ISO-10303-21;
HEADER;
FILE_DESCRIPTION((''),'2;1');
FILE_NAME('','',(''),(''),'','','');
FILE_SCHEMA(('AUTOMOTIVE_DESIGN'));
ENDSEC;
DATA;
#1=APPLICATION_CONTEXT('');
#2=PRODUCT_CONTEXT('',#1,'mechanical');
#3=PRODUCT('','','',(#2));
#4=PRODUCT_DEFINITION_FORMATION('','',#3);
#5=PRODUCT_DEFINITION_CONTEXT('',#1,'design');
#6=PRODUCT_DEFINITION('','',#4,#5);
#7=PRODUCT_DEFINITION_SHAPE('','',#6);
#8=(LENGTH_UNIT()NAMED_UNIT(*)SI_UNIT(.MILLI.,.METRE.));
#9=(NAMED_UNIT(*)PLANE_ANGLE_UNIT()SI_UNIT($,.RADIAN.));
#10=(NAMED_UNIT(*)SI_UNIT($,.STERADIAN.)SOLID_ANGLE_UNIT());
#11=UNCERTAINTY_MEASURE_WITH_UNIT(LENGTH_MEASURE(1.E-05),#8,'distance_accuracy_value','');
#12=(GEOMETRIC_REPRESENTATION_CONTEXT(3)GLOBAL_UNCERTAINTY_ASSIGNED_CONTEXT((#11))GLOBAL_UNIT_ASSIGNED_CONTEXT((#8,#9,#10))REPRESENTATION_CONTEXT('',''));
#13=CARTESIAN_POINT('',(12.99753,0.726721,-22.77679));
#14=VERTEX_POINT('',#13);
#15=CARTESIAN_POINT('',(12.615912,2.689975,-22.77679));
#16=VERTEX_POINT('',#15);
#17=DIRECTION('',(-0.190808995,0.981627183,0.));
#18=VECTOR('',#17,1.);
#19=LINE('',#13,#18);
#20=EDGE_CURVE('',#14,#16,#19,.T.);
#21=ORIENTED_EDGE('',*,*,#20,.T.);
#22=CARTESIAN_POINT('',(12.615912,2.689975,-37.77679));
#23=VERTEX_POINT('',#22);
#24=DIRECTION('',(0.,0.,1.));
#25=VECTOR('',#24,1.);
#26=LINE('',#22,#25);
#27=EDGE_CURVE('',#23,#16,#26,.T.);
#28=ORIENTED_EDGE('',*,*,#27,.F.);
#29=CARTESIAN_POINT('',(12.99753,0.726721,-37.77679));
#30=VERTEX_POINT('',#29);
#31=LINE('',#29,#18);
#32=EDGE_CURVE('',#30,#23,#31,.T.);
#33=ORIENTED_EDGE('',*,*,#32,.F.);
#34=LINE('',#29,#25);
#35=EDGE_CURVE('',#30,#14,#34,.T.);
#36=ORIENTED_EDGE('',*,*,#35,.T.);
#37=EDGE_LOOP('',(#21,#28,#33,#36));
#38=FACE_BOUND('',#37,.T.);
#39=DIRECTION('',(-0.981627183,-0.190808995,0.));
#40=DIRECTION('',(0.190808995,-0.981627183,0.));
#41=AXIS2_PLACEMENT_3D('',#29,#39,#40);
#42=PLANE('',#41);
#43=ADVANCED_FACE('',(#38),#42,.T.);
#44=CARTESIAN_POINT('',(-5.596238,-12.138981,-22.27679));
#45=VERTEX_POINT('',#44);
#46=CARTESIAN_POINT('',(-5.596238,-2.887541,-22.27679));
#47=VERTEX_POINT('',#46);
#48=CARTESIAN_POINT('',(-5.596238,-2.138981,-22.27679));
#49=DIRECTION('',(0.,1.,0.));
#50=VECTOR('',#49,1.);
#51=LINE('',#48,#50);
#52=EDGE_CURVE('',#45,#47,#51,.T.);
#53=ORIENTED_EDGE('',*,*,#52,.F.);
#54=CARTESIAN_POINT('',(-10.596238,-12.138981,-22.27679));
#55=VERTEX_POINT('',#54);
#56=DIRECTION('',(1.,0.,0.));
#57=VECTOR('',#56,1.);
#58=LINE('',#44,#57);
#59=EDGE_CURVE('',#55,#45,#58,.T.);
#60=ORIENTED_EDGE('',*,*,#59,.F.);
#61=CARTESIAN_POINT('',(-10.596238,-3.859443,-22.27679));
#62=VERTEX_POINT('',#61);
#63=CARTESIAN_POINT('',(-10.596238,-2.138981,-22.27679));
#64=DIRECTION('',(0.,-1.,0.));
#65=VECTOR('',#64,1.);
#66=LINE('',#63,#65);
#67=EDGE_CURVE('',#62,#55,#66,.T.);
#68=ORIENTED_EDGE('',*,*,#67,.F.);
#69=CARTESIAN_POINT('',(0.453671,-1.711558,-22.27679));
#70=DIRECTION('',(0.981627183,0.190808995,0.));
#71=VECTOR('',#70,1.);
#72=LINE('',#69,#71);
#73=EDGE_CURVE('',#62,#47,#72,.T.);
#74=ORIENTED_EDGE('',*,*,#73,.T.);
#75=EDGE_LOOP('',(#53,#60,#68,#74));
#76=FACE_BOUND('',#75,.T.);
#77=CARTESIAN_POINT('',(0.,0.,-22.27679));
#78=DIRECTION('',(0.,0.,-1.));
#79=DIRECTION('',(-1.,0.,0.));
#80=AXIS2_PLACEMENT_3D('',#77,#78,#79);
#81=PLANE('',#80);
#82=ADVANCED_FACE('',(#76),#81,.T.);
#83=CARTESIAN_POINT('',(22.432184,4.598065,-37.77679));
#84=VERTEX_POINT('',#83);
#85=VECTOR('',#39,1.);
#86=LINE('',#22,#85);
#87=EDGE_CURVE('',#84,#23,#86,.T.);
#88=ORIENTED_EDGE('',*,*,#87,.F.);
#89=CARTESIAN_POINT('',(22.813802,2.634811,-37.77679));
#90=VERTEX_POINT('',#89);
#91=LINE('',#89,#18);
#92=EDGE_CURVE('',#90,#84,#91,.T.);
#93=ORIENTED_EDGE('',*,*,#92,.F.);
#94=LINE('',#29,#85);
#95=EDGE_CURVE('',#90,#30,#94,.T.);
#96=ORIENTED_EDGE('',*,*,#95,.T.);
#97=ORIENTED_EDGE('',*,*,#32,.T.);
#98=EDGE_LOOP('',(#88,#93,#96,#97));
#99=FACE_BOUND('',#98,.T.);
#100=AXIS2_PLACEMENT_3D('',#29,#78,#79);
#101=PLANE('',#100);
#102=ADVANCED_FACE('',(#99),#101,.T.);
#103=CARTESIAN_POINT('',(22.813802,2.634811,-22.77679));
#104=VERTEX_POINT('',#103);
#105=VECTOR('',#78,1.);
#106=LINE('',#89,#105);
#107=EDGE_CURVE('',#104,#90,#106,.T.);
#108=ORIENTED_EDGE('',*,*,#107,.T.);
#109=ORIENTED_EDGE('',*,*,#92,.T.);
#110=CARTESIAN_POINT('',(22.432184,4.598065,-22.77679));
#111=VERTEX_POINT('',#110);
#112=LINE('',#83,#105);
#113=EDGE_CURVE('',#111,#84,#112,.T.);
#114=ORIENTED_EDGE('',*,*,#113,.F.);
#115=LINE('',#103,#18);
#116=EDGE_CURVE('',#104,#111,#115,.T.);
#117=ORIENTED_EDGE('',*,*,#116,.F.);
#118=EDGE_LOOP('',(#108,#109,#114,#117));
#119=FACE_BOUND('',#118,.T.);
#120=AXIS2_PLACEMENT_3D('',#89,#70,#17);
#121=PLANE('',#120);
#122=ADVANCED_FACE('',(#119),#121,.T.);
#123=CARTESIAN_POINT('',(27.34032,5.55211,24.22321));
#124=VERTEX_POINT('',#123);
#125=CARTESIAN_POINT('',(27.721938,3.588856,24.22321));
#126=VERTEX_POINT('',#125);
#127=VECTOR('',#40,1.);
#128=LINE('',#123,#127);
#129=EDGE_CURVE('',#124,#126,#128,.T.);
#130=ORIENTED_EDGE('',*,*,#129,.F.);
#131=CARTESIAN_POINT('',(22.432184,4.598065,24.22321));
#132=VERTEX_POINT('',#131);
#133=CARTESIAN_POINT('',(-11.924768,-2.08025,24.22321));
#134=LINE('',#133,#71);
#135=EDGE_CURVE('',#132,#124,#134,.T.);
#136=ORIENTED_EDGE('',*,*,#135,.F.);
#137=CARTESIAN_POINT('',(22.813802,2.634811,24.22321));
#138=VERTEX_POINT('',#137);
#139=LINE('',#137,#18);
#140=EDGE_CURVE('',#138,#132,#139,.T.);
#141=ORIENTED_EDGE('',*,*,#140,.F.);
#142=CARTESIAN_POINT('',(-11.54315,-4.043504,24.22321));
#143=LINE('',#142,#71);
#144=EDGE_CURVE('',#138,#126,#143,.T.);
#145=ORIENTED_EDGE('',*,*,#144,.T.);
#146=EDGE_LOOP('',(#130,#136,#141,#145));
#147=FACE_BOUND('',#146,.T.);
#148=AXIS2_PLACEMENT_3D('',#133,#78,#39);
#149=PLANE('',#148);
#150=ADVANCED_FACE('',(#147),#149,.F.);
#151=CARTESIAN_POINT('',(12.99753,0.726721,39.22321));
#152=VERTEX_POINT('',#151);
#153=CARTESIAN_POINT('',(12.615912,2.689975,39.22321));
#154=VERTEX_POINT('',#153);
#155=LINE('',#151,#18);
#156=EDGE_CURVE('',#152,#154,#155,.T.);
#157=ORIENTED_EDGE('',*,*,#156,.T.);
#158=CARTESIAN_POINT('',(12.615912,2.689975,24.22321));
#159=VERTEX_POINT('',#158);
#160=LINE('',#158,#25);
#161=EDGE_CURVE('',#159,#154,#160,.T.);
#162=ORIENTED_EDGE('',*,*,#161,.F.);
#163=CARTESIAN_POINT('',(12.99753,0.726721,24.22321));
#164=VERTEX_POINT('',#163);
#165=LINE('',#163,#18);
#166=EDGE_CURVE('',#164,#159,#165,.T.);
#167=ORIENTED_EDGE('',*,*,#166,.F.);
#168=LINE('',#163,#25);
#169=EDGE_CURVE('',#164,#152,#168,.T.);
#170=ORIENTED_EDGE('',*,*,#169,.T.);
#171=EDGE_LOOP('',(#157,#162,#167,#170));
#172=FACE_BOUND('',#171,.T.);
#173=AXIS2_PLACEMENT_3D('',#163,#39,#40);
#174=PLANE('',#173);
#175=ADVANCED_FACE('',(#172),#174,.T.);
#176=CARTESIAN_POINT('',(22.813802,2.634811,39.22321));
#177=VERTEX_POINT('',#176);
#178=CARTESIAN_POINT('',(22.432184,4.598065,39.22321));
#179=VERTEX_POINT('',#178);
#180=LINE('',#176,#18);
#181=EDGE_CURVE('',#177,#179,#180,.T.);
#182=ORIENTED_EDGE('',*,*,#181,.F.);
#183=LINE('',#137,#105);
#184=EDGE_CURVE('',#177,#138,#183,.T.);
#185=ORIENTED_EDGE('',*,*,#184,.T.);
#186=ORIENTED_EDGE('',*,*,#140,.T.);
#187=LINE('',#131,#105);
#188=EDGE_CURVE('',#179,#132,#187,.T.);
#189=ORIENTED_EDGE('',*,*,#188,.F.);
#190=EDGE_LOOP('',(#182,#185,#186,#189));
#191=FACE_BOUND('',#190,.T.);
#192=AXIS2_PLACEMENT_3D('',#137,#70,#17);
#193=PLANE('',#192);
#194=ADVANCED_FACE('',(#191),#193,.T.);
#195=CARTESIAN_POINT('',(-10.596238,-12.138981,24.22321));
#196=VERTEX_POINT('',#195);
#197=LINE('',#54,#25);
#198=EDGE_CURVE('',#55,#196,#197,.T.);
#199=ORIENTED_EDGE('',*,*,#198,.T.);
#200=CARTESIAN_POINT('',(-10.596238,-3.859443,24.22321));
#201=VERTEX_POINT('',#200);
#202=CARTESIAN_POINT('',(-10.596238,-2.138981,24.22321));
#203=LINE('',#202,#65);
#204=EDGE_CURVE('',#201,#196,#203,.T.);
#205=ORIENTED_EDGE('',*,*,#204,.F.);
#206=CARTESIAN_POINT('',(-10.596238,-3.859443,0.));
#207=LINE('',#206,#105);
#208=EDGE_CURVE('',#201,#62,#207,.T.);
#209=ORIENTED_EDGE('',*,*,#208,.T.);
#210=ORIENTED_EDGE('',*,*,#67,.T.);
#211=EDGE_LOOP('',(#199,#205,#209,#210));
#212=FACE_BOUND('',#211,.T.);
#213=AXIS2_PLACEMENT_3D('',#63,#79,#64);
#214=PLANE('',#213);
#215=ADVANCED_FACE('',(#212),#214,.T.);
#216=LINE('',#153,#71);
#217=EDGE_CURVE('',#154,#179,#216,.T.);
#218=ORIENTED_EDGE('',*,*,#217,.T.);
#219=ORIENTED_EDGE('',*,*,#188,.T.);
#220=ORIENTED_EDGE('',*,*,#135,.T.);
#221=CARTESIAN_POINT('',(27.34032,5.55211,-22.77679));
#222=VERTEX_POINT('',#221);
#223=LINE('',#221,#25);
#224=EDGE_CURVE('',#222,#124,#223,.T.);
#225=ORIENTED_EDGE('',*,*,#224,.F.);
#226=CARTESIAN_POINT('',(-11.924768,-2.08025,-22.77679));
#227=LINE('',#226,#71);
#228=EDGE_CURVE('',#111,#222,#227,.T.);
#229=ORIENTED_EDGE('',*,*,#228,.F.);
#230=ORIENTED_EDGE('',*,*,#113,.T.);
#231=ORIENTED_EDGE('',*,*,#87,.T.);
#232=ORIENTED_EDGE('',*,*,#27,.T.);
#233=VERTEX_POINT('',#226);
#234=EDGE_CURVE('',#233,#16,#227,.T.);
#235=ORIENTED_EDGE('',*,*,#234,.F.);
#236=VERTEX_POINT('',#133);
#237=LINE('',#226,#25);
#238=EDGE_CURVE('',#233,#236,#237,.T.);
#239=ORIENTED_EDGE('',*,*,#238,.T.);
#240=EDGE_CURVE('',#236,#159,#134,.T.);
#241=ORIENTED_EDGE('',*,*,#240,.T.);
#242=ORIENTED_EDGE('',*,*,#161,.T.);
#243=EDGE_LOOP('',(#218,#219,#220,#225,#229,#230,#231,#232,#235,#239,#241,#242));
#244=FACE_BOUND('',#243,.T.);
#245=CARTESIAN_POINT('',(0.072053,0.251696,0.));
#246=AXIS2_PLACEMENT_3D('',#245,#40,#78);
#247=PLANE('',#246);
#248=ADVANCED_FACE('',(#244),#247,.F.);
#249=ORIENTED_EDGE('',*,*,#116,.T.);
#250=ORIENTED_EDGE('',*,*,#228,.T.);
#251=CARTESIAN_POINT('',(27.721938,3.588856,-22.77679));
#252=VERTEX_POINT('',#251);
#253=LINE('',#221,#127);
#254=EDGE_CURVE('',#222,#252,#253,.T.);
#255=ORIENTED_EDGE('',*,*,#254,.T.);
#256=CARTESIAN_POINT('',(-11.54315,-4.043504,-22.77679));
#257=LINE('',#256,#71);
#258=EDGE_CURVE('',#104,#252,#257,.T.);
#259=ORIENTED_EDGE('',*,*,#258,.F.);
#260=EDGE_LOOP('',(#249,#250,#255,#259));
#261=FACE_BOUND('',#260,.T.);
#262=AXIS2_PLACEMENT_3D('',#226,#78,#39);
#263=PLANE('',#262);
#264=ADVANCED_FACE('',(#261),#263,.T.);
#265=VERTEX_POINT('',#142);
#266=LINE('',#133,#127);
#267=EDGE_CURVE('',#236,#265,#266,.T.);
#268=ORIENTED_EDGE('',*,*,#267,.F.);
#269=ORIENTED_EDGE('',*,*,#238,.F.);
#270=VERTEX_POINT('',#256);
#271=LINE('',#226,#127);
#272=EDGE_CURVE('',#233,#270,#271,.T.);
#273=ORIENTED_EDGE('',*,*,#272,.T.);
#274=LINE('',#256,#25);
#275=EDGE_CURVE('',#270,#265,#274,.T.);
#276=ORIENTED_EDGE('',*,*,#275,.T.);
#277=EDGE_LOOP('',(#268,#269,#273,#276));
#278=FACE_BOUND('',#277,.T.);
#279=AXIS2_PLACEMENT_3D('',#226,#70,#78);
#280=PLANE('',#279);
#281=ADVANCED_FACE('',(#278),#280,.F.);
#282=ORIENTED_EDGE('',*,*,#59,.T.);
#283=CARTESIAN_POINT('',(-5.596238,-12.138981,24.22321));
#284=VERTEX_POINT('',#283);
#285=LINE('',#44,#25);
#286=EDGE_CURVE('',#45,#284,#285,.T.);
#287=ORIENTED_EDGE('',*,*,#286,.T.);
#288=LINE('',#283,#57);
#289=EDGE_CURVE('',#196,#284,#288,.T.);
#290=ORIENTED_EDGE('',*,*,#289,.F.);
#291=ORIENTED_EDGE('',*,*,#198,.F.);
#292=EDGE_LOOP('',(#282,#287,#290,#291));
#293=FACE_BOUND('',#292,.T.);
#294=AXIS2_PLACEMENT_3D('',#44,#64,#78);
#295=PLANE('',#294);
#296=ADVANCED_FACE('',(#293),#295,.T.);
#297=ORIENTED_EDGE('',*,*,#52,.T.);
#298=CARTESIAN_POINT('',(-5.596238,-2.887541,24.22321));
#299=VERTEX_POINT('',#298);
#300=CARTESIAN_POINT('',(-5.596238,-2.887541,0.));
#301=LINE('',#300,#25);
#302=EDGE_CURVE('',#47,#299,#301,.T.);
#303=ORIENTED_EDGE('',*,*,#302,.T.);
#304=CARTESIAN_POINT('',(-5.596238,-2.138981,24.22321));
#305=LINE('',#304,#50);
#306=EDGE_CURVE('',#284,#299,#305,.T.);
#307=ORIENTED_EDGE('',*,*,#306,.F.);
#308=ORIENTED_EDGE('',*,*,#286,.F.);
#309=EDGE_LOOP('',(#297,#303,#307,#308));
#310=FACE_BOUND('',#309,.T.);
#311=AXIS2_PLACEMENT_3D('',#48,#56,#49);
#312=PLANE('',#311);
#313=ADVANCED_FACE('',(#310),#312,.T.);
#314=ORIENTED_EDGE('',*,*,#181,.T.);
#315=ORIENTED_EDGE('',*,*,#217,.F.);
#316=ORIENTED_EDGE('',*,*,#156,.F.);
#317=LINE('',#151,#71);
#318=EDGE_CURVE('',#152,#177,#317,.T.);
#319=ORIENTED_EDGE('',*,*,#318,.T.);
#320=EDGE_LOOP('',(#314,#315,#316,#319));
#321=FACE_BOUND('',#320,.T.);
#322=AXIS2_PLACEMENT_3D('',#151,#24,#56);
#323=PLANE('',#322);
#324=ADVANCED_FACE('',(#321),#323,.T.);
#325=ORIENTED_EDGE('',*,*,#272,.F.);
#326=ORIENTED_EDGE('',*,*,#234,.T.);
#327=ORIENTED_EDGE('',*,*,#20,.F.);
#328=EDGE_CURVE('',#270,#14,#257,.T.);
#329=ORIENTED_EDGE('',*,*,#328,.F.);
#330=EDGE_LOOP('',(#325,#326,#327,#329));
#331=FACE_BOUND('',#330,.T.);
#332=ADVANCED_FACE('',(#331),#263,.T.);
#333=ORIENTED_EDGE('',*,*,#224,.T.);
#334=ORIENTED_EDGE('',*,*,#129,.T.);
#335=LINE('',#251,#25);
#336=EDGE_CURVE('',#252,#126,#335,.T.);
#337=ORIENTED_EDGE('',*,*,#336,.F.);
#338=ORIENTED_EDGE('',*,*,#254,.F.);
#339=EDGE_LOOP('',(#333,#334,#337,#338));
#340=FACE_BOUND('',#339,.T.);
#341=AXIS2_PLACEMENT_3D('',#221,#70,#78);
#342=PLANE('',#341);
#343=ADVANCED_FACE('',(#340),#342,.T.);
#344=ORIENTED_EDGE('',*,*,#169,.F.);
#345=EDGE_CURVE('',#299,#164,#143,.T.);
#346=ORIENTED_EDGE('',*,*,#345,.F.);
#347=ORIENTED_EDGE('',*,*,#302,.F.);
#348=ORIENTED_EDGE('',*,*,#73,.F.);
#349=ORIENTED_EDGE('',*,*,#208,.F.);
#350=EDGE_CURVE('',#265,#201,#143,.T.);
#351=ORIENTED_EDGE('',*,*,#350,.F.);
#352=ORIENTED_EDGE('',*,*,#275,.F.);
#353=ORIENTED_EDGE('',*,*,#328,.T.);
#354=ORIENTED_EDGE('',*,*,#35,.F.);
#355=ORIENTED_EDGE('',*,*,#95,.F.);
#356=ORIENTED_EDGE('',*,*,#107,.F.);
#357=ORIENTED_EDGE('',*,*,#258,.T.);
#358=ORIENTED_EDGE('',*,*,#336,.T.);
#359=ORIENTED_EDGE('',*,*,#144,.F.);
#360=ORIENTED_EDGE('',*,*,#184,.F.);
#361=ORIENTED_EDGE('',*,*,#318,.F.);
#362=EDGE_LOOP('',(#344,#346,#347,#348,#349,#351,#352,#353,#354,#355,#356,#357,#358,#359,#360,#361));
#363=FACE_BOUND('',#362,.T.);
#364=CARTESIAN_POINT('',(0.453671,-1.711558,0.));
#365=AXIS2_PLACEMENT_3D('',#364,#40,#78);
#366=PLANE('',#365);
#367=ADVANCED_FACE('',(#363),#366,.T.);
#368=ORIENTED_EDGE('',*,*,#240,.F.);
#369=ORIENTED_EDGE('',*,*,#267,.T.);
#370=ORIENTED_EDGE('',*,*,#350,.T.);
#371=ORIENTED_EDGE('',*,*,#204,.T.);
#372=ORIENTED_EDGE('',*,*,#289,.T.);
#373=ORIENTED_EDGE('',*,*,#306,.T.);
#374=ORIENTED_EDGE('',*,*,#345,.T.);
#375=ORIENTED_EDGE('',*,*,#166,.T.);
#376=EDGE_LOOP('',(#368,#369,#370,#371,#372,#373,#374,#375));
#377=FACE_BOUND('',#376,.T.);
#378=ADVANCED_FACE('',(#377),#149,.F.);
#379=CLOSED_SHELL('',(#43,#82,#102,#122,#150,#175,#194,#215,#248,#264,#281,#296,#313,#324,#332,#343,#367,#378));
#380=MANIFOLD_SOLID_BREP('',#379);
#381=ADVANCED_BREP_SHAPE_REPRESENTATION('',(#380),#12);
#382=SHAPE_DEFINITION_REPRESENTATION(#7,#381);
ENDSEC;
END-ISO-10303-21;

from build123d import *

# Parameters (mm, degrees)
SKETCH1_W             = 40
SKETCH1_H             = 47
BOSS_EXTRUDE1_DEPTH   = 2
BODY_MOVE_COPY1_ANGLE = 11
SKETCH2_W             = 5
SKETCH2_H             = 10
BOSS_EXTRUDE2_DEPTH   = 46.5
SKETCH4_W             = 10
SKETCH4_H             = 15
BOSS_EXTRUDE3_DEPTH   = 2
SKETCH5_W             = 10
SKETCH5_H             = 15
BOSS_EXTRUDE4_DEPTH   = 2


with BuildPart() as part:
    # Sketch1 → Boss-Extrude1 (new body)
    with BuildSketch(Plane(origin=(0, 0, 0), x_dir=(1, 0, 0), z_dir=(0, 1, 0))):
        with Locations((7.778638156, -0.723210277)):
            Rectangle(SKETCH1_W, SKETCH1_H)
    extrude(amount=BOSS_EXTRUDE1_DEPTH)


with BuildPart() as part_1:
    # Body-Move/Copy1: moved
    add(part.part.rotate(Axis((9.114441417, 1.5, 0), (0, 0, 1)), BODY_MOVE_COPY1_ANGLE))

    # Sketch2 → Boss-Extrude2 (add)
    with BuildSketch(Plane(origin=(0.351616414, 0, 24.223210277), x_dir=(1, 0, 0), z_dir=(0, 0, 1))):
        with Locations((-8.447854102, -7.138980591)):
            Rectangle(SKETCH2_W, SKETCH2_H)
    extrude(amount=-BOSS_EXTRUDE2_DEPTH)

    # Sketch4 → Boss-Extrude3 (add)
    with BuildSketch(Plane(origin=(-0.044520197, 0.229036558, 0), x_dir=(0.9816271834475203, 0.19080899537728402, 0), z_dir=(-0.190808995377284, 0.9816271834475203, 0))):
        with Locations((17.897393689, -31.723210277)):
            Rectangle(SKETCH4_W, SKETCH4_H)
    extrude(amount=-BOSS_EXTRUDE3_DEPTH)

    # Sketch5 → Boss-Extrude4 (add)
    with BuildSketch(Plane(origin=(-0.044520197, 0.229036558, 0), x_dir=(0.9816271834475203, 0.19080899537728402, 0), z_dir=(-0.190808995377284, 0.9816271834475203, 0))):
        with Locations((17.897393689, 30.276789723)):
            Rectangle(SKETCH5_W, SKETCH5_H)
    extrude(amount=-BOSS_EXTRUDE4_DEPTH)


solid = part_1.part
